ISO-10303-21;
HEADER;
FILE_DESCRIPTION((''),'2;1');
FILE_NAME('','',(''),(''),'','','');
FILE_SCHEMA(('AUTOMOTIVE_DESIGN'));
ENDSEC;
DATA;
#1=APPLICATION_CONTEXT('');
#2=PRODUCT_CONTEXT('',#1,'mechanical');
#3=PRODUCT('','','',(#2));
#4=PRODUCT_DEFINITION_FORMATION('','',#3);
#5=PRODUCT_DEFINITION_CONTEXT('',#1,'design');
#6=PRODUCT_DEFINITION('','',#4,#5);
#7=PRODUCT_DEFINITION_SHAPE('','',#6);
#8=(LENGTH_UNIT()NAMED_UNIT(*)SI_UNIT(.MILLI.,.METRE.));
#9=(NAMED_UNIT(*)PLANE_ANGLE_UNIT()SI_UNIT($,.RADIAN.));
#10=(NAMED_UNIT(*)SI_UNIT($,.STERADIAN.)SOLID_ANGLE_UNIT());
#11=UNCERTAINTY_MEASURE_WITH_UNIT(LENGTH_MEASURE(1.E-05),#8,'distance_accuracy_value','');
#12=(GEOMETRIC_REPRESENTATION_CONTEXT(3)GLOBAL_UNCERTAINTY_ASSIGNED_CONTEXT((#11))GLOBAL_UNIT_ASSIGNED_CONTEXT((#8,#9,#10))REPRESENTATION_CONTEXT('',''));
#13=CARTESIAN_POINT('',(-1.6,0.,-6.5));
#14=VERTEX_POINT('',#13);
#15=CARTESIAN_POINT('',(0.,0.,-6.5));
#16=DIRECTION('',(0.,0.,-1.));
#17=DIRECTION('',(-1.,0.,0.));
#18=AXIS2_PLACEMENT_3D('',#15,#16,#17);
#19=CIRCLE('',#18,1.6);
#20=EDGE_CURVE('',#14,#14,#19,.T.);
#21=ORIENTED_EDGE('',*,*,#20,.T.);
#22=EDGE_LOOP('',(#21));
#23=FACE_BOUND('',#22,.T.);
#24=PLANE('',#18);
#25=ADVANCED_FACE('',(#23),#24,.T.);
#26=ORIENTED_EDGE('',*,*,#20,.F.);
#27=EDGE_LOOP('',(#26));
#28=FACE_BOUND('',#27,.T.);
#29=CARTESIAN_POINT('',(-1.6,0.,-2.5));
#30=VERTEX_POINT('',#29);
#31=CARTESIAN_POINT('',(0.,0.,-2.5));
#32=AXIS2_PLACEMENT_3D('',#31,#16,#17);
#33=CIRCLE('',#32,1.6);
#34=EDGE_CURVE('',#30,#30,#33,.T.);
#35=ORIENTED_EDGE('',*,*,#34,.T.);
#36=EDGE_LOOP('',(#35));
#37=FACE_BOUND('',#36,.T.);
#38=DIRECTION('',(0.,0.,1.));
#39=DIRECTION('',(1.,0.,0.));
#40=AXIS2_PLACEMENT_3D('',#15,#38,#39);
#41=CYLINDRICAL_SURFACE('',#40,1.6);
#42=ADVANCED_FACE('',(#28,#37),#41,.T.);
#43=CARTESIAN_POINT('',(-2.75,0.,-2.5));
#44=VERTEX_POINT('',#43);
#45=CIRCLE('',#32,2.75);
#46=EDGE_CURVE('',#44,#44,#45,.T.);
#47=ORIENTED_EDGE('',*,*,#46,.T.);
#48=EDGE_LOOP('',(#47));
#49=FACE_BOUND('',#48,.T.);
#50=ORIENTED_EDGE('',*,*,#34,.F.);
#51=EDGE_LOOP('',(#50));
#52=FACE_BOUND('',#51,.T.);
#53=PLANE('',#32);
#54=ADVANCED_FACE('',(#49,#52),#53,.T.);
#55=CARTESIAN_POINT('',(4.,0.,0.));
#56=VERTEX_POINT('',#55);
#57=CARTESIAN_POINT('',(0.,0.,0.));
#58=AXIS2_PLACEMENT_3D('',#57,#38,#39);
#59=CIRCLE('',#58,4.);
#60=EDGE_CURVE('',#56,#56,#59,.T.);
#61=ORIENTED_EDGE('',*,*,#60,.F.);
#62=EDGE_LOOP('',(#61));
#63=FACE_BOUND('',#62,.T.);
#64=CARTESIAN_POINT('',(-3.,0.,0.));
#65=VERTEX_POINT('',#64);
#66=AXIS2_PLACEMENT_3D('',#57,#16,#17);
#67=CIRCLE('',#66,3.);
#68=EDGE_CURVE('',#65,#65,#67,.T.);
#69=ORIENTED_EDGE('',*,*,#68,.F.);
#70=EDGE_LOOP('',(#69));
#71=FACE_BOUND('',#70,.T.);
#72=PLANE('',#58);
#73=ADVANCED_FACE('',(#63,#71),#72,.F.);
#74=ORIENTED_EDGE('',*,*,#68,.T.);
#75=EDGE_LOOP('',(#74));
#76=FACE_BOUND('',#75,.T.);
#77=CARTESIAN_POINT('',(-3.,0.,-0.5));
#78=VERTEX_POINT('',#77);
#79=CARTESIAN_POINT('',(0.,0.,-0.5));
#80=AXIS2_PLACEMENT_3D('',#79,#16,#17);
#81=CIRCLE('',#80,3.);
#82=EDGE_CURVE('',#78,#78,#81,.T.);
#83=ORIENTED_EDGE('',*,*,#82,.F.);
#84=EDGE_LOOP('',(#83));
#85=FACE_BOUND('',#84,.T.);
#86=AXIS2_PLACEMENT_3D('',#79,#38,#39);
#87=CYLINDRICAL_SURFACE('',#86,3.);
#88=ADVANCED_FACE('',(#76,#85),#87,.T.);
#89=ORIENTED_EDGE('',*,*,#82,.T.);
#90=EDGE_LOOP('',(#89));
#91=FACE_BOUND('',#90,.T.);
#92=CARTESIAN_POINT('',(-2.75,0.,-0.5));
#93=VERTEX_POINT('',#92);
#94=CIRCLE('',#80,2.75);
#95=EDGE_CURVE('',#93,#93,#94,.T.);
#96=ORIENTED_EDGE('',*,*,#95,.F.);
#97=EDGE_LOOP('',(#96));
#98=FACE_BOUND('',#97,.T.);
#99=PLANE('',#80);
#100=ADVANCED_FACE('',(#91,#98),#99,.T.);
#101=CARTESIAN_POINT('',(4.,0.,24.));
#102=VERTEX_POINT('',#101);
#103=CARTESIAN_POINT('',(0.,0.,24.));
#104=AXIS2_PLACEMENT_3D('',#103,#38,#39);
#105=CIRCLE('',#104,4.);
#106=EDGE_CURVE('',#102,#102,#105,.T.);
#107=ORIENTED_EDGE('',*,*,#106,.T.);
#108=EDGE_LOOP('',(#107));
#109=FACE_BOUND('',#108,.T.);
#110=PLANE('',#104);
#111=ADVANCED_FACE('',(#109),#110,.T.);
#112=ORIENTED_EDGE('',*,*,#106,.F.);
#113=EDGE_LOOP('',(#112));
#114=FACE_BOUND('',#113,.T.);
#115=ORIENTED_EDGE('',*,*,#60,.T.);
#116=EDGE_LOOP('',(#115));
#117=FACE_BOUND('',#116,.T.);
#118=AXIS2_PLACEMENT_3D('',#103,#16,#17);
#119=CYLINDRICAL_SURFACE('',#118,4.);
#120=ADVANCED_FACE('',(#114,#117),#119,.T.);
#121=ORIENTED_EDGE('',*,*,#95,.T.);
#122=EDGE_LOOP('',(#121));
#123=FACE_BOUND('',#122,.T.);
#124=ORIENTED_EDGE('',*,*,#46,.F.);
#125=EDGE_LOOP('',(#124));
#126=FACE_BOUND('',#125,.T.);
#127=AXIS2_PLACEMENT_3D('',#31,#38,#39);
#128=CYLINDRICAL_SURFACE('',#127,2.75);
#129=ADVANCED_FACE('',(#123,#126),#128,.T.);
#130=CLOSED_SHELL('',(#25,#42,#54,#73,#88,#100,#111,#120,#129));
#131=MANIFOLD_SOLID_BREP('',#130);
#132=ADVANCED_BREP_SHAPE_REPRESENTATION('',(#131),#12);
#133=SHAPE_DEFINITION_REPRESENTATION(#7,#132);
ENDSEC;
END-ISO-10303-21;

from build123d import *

# Parameters (mm, degrees)
BODYSKE_R    = 4
BODY_DEPTH   = 24
PADSKE_R     = 3
PAD_DEPTH    = 0.5
THREADSKE_R  = 2.75
THREAD_DEPTH = 2
AXISSKE_R    = 1.6
AXIS_DEPTH   = 4


with BuildPart() as part:
    # BodySke → Body (new body)
    with BuildSketch(Plane.XY):
        Circle(BODYSKE_R)
    extrude(amount=BODY_DEPTH)

    # PadSke → Pad (add)
    with BuildSketch(Plane(origin=(0, 0, 0), x_dir=(-1, 0, 0), z_dir=(0, 0, -1))):
        Circle(PADSKE_R)
    extrude(amount=PAD_DEPTH)

    # ThreadSke → Thread (add)
    with BuildSketch(Plane(origin=(0, 0, -0.5), x_dir=(-1, 0, 0), z_dir=(0, 0, -1))):
        Circle(THREADSKE_R)
    extrude(amount=THREAD_DEPTH)

    # AxisSke → Axis (add)
    with BuildSketch(Plane(origin=(0, 0, -2.5), x_dir=(-1, 0, 0), z_dir=(0, 0, -1))):
        Circle(AXISSKE_R)
    extrude(amount=AXIS_DEPTH)


solid = part.part
